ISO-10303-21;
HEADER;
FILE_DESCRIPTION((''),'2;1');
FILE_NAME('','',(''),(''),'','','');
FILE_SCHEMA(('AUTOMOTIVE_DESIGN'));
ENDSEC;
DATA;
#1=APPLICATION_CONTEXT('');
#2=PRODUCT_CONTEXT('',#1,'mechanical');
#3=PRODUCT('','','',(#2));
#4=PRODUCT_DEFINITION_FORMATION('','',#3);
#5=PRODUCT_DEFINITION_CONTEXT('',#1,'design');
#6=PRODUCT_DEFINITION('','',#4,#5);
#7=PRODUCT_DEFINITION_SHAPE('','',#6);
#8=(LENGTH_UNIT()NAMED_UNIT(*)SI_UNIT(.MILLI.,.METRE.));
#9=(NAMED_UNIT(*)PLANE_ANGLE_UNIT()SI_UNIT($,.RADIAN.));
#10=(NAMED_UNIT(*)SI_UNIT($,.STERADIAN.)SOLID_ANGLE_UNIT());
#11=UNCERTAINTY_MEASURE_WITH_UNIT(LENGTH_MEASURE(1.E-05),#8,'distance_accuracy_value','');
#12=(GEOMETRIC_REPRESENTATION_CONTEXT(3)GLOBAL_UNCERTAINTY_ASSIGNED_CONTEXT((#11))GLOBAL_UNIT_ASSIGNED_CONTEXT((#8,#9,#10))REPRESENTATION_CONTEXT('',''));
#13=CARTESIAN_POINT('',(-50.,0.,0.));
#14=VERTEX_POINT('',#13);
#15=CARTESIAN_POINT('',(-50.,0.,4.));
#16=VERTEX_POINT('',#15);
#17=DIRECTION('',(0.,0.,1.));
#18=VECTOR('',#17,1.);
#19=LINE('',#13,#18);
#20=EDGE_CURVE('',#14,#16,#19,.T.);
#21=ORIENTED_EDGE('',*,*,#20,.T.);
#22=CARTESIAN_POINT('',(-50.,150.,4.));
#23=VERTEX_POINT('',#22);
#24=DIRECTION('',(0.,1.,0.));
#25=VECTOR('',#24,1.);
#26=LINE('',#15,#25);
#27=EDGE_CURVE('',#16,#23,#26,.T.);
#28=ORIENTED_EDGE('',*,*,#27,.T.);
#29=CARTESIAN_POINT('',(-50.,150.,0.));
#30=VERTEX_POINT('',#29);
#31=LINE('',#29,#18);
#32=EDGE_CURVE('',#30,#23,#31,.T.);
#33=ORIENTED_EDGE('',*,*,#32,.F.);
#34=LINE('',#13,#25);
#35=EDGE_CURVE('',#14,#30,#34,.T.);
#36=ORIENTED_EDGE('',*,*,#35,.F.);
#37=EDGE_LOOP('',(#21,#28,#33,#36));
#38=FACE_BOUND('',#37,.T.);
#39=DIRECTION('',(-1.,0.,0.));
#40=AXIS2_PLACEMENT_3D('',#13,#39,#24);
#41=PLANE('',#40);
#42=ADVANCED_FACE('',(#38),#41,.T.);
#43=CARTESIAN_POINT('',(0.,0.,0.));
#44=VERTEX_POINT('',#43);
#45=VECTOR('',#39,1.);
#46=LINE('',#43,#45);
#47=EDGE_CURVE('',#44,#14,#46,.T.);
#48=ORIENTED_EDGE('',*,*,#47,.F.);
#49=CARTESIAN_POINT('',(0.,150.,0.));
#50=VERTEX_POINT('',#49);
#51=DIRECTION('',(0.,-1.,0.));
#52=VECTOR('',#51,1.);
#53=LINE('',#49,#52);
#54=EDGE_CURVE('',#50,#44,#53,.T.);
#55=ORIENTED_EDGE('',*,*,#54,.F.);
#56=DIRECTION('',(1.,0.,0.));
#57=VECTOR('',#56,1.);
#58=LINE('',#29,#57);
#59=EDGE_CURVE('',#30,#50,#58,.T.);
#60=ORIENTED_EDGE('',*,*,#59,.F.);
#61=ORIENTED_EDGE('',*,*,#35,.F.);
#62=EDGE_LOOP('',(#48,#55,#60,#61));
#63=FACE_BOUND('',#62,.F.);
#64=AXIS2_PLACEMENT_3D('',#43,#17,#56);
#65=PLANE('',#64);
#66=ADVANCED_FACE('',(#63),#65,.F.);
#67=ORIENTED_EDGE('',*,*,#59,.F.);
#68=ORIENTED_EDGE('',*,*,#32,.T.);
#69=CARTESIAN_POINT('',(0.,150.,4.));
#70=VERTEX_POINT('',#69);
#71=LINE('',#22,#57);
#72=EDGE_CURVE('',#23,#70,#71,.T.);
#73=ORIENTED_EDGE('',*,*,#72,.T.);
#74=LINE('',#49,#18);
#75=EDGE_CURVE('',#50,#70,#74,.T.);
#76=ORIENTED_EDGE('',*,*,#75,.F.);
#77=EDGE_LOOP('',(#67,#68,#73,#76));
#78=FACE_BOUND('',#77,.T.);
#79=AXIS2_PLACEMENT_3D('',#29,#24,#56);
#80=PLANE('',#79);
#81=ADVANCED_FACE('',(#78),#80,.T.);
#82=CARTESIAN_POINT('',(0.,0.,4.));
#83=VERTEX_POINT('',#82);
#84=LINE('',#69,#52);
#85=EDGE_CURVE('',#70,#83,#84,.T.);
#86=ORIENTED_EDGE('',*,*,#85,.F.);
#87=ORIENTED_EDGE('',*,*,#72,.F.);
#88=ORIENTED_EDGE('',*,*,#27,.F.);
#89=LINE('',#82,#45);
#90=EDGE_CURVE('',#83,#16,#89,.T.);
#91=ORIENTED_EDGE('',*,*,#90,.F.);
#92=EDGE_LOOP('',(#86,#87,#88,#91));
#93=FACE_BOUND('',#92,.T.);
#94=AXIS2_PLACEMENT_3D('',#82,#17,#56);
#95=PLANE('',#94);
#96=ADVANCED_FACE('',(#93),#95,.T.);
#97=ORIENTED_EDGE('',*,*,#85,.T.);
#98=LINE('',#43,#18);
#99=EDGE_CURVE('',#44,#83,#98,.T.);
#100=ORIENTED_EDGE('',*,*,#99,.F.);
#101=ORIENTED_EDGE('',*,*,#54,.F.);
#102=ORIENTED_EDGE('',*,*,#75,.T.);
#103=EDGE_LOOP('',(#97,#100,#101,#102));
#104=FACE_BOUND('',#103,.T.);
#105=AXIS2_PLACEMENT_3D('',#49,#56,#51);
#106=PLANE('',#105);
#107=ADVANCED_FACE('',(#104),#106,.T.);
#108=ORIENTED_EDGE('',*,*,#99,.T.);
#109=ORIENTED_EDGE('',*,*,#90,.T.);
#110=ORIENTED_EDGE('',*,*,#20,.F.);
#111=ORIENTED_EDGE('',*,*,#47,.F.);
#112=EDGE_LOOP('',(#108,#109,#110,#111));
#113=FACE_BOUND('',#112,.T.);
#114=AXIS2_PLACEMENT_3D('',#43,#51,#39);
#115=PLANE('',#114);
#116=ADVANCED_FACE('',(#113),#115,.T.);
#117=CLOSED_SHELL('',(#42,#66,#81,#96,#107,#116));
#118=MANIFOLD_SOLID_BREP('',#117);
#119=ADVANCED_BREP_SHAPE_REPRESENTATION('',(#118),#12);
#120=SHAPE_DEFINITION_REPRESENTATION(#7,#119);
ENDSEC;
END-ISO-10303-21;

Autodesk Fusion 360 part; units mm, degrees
sketch "Sketch1" plane through (0, 0, 0) normal (0, 0, 1) x (1, 0, 0)
  line L0 (0, 0) -> (-50, 0)
  line L1 (-50, 0) -> (-50, 150)
  line L2 (-50, 150) -> (0, 150)
  line L3 (0, 150) -> (0, 0)
  dimension "d1" = 150
  dimension "d2" = 50
extrude "Extrude1" add sketch "Sketch1" along normal blind 4
